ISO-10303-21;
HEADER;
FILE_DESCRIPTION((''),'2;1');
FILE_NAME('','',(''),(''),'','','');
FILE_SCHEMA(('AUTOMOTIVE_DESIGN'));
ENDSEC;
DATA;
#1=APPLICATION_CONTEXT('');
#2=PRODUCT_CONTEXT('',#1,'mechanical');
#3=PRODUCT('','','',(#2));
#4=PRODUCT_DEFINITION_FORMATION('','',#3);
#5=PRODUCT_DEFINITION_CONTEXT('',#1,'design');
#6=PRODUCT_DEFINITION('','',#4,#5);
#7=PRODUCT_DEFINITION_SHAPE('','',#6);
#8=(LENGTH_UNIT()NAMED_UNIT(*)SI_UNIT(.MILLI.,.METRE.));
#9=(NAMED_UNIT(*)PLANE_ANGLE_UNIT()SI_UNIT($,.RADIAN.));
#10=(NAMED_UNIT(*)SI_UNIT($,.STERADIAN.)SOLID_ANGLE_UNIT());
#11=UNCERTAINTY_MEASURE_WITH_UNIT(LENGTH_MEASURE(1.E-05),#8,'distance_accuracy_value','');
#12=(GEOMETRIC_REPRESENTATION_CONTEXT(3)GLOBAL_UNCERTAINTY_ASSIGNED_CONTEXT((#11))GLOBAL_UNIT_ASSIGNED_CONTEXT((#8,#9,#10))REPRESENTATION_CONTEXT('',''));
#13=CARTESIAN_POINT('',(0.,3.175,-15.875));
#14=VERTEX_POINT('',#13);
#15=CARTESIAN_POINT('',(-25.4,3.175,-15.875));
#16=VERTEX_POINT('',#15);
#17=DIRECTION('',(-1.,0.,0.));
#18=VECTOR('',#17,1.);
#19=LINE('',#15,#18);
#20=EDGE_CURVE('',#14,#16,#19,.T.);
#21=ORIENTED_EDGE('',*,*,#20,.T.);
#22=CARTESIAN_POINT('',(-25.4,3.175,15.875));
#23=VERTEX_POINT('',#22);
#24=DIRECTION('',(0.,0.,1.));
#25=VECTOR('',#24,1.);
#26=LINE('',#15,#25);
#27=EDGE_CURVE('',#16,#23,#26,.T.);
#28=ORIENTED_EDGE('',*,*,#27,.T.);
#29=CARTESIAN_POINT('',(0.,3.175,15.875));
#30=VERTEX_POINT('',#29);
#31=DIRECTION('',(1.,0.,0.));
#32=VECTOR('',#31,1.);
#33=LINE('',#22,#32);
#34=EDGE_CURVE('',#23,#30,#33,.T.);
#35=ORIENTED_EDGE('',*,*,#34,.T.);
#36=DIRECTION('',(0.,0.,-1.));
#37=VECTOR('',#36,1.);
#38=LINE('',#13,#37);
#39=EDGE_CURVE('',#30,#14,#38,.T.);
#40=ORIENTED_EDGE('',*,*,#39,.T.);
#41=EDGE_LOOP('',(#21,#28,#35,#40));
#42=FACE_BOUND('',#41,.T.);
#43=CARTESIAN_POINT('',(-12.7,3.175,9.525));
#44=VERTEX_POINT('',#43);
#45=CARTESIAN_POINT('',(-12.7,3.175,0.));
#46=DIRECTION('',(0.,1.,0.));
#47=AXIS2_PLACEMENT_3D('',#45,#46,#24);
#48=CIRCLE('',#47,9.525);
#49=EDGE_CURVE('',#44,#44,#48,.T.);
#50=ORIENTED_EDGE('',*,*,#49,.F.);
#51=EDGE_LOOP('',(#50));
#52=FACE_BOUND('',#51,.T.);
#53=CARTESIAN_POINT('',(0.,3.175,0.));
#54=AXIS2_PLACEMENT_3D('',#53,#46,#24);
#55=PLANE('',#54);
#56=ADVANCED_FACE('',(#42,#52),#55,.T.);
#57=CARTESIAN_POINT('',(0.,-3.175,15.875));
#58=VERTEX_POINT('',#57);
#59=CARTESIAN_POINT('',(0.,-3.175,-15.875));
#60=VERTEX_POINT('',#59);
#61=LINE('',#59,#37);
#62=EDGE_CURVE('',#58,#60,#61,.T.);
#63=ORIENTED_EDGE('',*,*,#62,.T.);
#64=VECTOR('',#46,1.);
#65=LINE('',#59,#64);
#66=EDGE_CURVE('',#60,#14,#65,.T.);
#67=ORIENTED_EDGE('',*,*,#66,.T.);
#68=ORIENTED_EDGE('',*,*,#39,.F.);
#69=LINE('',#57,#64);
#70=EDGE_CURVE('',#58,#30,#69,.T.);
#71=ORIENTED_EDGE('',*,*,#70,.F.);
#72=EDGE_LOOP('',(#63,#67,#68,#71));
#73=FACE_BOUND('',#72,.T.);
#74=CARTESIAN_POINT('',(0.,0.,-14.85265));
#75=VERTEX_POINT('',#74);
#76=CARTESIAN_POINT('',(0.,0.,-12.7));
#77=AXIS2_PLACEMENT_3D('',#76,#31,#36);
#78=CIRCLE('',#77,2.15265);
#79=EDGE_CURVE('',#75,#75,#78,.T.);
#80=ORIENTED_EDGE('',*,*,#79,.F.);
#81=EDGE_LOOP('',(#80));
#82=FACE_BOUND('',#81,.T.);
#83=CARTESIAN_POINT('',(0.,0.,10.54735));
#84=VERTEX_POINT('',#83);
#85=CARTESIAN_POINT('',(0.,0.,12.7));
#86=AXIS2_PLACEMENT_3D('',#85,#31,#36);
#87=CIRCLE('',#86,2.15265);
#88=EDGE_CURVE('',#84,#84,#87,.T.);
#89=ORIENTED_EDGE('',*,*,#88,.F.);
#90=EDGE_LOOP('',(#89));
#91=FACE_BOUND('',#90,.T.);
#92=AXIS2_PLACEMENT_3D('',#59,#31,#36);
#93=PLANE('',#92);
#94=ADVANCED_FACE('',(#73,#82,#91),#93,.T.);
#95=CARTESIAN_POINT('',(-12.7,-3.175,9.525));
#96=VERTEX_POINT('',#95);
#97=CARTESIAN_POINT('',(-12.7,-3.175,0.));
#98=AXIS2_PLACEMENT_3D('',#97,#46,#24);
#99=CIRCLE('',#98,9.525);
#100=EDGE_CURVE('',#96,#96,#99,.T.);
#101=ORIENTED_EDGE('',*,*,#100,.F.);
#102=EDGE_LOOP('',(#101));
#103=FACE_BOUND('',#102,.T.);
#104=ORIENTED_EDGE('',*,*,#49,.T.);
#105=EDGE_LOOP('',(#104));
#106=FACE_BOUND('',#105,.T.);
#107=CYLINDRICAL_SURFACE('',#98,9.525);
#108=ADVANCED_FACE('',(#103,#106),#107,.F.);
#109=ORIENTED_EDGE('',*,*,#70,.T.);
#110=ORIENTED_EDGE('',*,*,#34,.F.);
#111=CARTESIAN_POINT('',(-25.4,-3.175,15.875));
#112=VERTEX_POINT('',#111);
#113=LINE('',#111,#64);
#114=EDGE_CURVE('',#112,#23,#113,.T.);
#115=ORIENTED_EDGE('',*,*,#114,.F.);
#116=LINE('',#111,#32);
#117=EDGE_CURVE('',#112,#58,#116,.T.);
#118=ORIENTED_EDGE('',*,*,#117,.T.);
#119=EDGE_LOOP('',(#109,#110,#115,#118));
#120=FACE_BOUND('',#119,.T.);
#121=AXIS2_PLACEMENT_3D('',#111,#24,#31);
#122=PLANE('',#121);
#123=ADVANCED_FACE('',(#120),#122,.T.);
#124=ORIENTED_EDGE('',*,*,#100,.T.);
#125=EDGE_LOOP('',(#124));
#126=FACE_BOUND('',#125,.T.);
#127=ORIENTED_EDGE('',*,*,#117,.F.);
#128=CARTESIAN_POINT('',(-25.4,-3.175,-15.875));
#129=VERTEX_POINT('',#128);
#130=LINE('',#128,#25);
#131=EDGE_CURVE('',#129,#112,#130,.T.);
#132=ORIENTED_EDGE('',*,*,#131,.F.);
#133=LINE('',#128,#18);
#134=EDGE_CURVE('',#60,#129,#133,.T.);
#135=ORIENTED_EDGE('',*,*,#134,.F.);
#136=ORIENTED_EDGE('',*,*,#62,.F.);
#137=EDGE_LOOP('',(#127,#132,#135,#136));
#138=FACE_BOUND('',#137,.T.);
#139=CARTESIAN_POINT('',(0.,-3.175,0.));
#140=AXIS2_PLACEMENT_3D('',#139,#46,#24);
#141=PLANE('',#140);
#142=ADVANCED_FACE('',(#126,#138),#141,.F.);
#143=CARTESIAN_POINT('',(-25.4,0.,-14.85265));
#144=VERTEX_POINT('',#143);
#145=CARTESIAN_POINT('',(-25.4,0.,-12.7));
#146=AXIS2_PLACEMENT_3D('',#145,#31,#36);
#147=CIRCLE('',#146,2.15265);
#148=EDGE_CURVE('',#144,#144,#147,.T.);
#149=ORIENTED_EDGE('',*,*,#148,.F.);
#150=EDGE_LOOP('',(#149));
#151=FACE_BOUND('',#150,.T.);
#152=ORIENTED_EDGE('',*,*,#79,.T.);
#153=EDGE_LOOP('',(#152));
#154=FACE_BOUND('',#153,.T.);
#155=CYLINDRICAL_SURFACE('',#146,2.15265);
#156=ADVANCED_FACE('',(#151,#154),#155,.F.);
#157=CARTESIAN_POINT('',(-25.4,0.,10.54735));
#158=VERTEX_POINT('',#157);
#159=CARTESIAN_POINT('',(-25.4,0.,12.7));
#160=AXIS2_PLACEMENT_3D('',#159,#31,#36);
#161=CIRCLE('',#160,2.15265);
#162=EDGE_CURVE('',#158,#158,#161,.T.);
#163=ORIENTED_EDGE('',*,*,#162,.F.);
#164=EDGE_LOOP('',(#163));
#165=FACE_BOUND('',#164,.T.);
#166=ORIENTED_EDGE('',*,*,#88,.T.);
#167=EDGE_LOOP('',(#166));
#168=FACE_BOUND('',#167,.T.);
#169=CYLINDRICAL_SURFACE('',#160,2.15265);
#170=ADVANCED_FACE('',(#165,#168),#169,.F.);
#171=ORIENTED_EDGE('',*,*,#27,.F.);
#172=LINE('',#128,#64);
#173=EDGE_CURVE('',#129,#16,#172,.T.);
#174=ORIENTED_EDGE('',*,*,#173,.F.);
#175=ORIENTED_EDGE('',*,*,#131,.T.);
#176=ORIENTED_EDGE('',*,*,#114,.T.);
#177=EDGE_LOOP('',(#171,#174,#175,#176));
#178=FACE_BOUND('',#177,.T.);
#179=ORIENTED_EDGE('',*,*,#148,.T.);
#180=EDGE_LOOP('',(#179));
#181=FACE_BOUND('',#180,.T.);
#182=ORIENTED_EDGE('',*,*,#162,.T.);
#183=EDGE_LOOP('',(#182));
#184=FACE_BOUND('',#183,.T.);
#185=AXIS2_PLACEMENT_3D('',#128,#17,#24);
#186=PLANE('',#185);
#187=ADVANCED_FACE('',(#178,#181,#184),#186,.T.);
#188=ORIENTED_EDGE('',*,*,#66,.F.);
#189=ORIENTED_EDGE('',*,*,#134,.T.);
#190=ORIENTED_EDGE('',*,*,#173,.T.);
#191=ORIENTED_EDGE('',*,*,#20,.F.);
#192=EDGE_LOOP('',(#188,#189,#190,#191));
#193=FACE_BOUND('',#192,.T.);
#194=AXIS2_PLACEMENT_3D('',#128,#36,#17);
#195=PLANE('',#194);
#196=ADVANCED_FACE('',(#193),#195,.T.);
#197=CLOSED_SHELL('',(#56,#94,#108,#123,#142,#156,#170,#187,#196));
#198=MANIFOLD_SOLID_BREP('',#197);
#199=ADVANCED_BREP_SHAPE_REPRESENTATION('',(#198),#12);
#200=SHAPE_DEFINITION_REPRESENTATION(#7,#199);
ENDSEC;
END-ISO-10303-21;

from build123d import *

# Parameters (mm, degrees)
SKETCH1_W           = 25.4
SKETCH1_H           = 31.75
BOSS_EXTRUDE1_DEPTH = 3.175
SKETCH3_R           = 2.15265
CUT_EXTRUDE1_DEPTH  = 31.120694713
SKETCH4_R           = 9.525
CUT_EXTRUDE2_DEPTH  = 31.618591166


with BuildPart() as part:
    # Sketch1 → Boss-Extrude1 (new, symmetric)
    with BuildSketch(Plane(origin=(0, 0, 0), x_dir=(1, 0, 0), z_dir=(0, 1, 0))):
        with Locations((-12.7, 0)):
            Rectangle(SKETCH1_W, SKETCH1_H)
    extrude(amount=BOSS_EXTRUDE1_DEPTH, both=True)

    # Sketch3 → Cut-Extrude1 (cut, through all)
    with BuildSketch(Plane(origin=(0, 0, 0), x_dir=(0, 0, -1), z_dir=(1, 0, 0))):
        with Locations((-12.7, 0)):
            Circle(SKETCH3_R)
        with Locations((12.7, 0)):
            Circle(SKETCH3_R)
    extrude(amount=-CUT_EXTRUDE1_DEPTH, mode=Mode.SUBTRACT)

    # Sketch4 → Cut-Extrude2 (cut, through all)
    with BuildSketch(Plane(origin=(0, 3.175, 0), x_dir=(1, 0, 0), z_dir=(0, 1, 0))):
        with Locations(Location((-12.7, 0, 0), (0, 0, 270))):
            Circle(SKETCH4_R)
    extrude(amount=-CUT_EXTRUDE2_DEPTH, mode=Mode.SUBTRACT)


solid = part.part
